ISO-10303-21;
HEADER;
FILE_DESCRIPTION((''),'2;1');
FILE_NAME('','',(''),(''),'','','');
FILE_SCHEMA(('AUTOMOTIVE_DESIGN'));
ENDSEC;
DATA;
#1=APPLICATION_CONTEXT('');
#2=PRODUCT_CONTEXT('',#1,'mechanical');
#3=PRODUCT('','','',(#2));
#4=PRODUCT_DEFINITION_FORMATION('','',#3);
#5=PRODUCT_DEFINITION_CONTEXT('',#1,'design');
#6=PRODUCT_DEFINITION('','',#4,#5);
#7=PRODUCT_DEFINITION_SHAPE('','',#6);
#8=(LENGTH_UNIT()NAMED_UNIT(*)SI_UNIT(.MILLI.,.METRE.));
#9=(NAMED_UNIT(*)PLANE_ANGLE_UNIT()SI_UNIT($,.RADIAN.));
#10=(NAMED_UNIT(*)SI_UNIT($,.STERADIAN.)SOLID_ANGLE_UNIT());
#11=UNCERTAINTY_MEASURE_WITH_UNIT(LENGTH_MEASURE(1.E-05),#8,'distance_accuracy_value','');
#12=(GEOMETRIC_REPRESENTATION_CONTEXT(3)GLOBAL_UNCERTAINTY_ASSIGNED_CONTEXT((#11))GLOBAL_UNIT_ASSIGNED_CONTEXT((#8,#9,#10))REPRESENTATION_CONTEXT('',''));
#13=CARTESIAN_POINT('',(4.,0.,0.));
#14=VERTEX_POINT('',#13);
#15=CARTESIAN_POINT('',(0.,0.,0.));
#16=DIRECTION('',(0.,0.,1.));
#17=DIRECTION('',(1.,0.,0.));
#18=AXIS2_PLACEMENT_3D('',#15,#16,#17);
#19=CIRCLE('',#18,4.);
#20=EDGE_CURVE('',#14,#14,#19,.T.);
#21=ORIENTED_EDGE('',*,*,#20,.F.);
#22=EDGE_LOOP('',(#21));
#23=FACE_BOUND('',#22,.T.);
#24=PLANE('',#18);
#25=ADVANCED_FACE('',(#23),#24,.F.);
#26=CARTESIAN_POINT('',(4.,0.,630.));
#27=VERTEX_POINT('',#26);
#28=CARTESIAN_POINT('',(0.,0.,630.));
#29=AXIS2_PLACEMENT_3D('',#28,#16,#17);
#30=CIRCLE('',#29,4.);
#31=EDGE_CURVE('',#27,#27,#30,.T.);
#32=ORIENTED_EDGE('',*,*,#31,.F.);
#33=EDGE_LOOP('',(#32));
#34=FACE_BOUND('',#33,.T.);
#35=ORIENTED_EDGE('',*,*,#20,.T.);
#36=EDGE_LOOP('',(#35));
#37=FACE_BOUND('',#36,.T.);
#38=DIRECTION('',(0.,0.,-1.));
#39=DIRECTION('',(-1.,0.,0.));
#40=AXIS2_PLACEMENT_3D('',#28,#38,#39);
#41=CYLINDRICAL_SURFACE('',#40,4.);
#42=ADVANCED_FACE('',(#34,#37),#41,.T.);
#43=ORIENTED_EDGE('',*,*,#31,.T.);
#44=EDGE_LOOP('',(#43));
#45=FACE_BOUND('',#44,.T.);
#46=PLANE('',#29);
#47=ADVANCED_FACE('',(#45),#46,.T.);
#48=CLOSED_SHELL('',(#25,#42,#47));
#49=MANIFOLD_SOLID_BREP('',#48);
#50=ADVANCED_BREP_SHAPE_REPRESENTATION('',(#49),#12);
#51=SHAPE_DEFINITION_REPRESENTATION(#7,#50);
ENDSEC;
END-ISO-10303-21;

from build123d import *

# Parameters (mm, degrees)
IZIM1_R                     = 4
Y_KSEKLIK_EKSTR_ZYON1_DEPTH = 630


with BuildPart() as part:
    # Çizim1 → Yükseklik-Ekstrüzyon1 (new body)
    with BuildSketch(Plane.XY):
        Circle(IZIM1_R)
    extrude(amount=Y_KSEKLIK_EKSTR_ZYON1_DEPTH)


solid = part.part
